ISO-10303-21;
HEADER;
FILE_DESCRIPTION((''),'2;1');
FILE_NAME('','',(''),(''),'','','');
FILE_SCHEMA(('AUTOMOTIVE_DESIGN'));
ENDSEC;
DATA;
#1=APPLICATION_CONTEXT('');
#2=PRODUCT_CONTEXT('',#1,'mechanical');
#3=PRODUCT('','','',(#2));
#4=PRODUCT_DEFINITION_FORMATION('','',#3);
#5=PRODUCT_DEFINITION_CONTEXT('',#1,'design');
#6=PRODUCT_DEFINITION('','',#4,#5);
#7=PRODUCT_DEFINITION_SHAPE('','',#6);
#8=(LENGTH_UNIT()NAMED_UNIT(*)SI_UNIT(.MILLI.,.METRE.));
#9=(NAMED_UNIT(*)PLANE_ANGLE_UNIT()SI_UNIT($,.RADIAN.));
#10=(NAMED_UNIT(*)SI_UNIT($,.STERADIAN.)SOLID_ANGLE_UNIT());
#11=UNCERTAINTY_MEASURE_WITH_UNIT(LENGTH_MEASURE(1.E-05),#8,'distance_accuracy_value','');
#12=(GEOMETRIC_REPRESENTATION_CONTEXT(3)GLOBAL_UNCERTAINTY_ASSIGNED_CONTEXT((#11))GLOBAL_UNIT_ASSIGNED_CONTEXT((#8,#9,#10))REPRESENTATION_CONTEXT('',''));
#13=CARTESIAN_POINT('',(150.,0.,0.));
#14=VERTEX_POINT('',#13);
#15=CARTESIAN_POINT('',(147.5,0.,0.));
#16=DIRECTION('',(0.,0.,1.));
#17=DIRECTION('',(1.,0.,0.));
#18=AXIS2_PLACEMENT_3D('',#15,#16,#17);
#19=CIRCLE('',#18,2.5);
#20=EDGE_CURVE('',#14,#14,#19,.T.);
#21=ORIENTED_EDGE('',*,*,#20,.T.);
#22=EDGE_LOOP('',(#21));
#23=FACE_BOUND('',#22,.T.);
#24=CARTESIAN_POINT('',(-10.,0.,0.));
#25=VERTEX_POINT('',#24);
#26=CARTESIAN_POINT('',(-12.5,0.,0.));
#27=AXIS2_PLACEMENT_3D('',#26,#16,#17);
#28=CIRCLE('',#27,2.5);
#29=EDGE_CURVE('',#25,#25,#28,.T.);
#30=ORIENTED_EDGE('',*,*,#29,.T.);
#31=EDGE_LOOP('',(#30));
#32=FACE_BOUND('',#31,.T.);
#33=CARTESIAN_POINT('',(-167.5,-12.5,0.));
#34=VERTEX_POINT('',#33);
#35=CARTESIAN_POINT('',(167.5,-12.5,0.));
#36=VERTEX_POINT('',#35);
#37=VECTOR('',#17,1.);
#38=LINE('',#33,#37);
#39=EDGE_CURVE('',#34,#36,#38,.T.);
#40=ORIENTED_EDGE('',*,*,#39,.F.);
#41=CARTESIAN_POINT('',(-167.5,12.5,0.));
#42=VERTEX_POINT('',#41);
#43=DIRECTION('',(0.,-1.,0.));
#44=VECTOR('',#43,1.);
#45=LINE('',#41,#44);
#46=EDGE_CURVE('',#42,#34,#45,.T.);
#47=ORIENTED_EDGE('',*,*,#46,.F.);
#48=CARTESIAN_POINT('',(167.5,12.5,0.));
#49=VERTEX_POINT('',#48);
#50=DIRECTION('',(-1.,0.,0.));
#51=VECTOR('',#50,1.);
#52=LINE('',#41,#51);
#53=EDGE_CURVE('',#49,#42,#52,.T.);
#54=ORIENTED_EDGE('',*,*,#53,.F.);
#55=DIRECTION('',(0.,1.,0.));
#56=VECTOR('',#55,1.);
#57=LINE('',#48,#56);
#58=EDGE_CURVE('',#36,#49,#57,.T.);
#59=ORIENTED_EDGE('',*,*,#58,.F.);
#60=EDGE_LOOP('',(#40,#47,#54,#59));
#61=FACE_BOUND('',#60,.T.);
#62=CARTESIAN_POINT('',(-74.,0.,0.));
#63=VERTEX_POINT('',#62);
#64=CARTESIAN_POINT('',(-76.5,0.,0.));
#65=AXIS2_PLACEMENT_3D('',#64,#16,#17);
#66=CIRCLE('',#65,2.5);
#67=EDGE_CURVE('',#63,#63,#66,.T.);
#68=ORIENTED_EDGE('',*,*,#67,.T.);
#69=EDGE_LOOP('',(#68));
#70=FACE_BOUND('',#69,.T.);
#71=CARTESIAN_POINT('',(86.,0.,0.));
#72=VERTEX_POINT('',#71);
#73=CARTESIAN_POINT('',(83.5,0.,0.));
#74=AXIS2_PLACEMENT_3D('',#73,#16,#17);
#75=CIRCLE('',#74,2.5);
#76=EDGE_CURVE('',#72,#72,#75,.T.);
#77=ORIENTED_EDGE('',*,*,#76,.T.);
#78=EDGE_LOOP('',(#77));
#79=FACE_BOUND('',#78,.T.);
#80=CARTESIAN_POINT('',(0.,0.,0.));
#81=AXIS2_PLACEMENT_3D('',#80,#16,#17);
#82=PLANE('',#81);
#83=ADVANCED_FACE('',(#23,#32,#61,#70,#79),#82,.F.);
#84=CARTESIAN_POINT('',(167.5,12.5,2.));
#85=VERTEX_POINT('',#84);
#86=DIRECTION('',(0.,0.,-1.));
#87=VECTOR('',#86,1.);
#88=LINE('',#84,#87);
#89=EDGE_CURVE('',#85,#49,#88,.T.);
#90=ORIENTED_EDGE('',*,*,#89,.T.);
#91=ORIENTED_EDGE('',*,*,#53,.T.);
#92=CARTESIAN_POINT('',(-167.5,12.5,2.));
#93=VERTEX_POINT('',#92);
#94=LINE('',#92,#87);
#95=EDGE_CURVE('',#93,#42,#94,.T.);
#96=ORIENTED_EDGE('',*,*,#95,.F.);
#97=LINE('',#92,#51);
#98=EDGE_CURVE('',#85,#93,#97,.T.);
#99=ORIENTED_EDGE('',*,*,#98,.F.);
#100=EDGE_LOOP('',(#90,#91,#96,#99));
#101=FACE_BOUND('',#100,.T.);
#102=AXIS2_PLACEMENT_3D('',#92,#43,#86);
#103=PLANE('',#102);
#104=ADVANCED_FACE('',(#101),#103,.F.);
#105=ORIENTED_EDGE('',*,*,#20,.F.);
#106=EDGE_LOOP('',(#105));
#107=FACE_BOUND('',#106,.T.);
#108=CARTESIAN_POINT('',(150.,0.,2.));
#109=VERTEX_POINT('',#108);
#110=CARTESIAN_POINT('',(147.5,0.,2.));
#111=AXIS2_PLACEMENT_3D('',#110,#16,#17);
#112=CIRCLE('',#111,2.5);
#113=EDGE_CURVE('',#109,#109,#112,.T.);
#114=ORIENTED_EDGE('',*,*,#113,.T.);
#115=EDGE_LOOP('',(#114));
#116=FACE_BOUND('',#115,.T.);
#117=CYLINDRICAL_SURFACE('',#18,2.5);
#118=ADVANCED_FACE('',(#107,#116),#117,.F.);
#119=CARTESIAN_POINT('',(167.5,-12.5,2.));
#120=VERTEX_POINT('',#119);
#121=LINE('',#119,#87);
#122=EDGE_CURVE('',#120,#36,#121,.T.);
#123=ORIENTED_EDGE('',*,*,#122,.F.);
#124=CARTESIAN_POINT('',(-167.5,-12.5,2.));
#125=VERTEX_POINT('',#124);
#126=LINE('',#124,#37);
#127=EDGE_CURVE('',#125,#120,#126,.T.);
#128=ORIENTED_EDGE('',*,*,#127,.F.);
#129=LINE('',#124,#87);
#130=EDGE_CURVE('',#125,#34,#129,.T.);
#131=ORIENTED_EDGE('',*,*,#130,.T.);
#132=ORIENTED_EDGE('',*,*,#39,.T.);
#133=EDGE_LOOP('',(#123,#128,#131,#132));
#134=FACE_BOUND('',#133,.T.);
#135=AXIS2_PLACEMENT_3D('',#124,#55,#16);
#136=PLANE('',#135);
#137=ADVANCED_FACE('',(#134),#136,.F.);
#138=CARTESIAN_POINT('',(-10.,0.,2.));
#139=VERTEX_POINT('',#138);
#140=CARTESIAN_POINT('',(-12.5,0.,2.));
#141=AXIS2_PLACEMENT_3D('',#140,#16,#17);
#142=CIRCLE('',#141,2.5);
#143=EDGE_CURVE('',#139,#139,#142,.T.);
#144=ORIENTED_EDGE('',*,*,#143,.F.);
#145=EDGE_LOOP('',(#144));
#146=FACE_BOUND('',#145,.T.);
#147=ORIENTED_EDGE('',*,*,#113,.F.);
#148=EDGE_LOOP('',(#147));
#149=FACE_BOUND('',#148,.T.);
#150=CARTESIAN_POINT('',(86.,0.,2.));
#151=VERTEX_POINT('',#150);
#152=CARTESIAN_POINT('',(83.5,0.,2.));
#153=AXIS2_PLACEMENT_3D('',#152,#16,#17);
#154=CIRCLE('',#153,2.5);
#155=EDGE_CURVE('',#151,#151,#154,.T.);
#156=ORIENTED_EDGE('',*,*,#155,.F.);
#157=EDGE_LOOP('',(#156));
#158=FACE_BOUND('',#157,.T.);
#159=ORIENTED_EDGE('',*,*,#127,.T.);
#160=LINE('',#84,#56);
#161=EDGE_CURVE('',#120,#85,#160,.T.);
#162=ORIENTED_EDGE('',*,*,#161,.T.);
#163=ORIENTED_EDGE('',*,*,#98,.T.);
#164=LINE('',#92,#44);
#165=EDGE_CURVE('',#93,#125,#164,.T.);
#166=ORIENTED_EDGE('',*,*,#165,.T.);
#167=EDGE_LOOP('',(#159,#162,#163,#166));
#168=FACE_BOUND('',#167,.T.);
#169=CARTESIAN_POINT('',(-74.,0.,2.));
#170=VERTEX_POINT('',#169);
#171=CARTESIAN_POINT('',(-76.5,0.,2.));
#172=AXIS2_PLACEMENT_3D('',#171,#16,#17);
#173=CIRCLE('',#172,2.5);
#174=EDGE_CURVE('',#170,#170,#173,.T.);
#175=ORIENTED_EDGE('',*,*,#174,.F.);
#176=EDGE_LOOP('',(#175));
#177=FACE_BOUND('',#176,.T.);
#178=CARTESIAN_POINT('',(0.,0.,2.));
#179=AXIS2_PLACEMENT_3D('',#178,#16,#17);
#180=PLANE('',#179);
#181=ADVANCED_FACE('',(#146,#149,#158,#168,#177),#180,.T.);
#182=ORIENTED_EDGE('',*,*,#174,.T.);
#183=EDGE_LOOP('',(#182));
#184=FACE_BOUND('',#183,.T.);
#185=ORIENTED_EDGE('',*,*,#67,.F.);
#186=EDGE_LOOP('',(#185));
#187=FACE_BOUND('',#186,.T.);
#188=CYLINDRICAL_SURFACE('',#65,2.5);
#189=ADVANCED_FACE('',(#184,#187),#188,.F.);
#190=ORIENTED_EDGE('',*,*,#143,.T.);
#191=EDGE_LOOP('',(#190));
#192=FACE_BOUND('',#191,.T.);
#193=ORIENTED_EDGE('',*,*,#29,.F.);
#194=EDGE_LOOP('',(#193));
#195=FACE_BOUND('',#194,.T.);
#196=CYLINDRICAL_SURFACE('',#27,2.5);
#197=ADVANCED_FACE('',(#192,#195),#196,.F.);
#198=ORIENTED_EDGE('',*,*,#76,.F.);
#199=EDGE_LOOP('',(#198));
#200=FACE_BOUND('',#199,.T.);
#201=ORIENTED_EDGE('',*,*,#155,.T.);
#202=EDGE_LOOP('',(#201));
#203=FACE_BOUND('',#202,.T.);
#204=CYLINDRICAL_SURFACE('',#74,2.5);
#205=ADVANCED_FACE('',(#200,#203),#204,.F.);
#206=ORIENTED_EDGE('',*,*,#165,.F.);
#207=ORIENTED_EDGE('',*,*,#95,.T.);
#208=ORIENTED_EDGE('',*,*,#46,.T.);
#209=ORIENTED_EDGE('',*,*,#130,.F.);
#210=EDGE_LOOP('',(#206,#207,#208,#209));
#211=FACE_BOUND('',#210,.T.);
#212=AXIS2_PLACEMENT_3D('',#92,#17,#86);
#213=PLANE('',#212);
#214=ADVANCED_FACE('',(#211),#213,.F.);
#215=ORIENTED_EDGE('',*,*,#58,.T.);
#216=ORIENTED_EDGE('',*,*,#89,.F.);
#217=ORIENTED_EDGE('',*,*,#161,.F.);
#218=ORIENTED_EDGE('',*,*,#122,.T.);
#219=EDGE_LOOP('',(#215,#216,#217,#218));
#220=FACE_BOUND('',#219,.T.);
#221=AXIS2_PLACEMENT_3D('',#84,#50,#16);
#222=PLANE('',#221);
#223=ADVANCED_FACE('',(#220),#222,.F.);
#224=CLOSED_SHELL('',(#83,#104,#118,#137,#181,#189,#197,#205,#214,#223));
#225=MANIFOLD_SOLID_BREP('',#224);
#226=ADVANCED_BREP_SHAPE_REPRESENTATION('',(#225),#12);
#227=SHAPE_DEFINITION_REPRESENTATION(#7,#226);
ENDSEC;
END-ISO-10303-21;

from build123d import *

# Parameters (mm, degrees)
SKETCH_1_W          = 335
SKETCH_1_H          = 25
EXTRUDE_1_DEPTH     = 2
SKETCH_2_R          = 2.5
CUT_EXTRUDE_1_DEPTH = 168.977677088


with BuildPart() as part:
    # 草图1 → 凸台-拉伸1 (new body)
    with BuildSketch(Plane.XY):
        Rectangle(SKETCH_1_W, SKETCH_1_H)
    extrude(amount=EXTRUDE_1_DEPTH)

    # 草图2 → 切除-拉伸1 (cut, through all)
    with BuildSketch(Plane.XY.offset(2)):
        with Locations((-76.5, 0)):
            Circle(SKETCH_2_R)
        with Locations((-12.5, 0)):
            Circle(SKETCH_2_R)
        with Locations((83.5, 0)):
            Circle(SKETCH_2_R)
        with Locations((147.5, 0)):
            Circle(SKETCH_2_R)
    extrude(amount=-CUT_EXTRUDE_1_DEPTH, mode=Mode.SUBTRACT)


solid = part.part
